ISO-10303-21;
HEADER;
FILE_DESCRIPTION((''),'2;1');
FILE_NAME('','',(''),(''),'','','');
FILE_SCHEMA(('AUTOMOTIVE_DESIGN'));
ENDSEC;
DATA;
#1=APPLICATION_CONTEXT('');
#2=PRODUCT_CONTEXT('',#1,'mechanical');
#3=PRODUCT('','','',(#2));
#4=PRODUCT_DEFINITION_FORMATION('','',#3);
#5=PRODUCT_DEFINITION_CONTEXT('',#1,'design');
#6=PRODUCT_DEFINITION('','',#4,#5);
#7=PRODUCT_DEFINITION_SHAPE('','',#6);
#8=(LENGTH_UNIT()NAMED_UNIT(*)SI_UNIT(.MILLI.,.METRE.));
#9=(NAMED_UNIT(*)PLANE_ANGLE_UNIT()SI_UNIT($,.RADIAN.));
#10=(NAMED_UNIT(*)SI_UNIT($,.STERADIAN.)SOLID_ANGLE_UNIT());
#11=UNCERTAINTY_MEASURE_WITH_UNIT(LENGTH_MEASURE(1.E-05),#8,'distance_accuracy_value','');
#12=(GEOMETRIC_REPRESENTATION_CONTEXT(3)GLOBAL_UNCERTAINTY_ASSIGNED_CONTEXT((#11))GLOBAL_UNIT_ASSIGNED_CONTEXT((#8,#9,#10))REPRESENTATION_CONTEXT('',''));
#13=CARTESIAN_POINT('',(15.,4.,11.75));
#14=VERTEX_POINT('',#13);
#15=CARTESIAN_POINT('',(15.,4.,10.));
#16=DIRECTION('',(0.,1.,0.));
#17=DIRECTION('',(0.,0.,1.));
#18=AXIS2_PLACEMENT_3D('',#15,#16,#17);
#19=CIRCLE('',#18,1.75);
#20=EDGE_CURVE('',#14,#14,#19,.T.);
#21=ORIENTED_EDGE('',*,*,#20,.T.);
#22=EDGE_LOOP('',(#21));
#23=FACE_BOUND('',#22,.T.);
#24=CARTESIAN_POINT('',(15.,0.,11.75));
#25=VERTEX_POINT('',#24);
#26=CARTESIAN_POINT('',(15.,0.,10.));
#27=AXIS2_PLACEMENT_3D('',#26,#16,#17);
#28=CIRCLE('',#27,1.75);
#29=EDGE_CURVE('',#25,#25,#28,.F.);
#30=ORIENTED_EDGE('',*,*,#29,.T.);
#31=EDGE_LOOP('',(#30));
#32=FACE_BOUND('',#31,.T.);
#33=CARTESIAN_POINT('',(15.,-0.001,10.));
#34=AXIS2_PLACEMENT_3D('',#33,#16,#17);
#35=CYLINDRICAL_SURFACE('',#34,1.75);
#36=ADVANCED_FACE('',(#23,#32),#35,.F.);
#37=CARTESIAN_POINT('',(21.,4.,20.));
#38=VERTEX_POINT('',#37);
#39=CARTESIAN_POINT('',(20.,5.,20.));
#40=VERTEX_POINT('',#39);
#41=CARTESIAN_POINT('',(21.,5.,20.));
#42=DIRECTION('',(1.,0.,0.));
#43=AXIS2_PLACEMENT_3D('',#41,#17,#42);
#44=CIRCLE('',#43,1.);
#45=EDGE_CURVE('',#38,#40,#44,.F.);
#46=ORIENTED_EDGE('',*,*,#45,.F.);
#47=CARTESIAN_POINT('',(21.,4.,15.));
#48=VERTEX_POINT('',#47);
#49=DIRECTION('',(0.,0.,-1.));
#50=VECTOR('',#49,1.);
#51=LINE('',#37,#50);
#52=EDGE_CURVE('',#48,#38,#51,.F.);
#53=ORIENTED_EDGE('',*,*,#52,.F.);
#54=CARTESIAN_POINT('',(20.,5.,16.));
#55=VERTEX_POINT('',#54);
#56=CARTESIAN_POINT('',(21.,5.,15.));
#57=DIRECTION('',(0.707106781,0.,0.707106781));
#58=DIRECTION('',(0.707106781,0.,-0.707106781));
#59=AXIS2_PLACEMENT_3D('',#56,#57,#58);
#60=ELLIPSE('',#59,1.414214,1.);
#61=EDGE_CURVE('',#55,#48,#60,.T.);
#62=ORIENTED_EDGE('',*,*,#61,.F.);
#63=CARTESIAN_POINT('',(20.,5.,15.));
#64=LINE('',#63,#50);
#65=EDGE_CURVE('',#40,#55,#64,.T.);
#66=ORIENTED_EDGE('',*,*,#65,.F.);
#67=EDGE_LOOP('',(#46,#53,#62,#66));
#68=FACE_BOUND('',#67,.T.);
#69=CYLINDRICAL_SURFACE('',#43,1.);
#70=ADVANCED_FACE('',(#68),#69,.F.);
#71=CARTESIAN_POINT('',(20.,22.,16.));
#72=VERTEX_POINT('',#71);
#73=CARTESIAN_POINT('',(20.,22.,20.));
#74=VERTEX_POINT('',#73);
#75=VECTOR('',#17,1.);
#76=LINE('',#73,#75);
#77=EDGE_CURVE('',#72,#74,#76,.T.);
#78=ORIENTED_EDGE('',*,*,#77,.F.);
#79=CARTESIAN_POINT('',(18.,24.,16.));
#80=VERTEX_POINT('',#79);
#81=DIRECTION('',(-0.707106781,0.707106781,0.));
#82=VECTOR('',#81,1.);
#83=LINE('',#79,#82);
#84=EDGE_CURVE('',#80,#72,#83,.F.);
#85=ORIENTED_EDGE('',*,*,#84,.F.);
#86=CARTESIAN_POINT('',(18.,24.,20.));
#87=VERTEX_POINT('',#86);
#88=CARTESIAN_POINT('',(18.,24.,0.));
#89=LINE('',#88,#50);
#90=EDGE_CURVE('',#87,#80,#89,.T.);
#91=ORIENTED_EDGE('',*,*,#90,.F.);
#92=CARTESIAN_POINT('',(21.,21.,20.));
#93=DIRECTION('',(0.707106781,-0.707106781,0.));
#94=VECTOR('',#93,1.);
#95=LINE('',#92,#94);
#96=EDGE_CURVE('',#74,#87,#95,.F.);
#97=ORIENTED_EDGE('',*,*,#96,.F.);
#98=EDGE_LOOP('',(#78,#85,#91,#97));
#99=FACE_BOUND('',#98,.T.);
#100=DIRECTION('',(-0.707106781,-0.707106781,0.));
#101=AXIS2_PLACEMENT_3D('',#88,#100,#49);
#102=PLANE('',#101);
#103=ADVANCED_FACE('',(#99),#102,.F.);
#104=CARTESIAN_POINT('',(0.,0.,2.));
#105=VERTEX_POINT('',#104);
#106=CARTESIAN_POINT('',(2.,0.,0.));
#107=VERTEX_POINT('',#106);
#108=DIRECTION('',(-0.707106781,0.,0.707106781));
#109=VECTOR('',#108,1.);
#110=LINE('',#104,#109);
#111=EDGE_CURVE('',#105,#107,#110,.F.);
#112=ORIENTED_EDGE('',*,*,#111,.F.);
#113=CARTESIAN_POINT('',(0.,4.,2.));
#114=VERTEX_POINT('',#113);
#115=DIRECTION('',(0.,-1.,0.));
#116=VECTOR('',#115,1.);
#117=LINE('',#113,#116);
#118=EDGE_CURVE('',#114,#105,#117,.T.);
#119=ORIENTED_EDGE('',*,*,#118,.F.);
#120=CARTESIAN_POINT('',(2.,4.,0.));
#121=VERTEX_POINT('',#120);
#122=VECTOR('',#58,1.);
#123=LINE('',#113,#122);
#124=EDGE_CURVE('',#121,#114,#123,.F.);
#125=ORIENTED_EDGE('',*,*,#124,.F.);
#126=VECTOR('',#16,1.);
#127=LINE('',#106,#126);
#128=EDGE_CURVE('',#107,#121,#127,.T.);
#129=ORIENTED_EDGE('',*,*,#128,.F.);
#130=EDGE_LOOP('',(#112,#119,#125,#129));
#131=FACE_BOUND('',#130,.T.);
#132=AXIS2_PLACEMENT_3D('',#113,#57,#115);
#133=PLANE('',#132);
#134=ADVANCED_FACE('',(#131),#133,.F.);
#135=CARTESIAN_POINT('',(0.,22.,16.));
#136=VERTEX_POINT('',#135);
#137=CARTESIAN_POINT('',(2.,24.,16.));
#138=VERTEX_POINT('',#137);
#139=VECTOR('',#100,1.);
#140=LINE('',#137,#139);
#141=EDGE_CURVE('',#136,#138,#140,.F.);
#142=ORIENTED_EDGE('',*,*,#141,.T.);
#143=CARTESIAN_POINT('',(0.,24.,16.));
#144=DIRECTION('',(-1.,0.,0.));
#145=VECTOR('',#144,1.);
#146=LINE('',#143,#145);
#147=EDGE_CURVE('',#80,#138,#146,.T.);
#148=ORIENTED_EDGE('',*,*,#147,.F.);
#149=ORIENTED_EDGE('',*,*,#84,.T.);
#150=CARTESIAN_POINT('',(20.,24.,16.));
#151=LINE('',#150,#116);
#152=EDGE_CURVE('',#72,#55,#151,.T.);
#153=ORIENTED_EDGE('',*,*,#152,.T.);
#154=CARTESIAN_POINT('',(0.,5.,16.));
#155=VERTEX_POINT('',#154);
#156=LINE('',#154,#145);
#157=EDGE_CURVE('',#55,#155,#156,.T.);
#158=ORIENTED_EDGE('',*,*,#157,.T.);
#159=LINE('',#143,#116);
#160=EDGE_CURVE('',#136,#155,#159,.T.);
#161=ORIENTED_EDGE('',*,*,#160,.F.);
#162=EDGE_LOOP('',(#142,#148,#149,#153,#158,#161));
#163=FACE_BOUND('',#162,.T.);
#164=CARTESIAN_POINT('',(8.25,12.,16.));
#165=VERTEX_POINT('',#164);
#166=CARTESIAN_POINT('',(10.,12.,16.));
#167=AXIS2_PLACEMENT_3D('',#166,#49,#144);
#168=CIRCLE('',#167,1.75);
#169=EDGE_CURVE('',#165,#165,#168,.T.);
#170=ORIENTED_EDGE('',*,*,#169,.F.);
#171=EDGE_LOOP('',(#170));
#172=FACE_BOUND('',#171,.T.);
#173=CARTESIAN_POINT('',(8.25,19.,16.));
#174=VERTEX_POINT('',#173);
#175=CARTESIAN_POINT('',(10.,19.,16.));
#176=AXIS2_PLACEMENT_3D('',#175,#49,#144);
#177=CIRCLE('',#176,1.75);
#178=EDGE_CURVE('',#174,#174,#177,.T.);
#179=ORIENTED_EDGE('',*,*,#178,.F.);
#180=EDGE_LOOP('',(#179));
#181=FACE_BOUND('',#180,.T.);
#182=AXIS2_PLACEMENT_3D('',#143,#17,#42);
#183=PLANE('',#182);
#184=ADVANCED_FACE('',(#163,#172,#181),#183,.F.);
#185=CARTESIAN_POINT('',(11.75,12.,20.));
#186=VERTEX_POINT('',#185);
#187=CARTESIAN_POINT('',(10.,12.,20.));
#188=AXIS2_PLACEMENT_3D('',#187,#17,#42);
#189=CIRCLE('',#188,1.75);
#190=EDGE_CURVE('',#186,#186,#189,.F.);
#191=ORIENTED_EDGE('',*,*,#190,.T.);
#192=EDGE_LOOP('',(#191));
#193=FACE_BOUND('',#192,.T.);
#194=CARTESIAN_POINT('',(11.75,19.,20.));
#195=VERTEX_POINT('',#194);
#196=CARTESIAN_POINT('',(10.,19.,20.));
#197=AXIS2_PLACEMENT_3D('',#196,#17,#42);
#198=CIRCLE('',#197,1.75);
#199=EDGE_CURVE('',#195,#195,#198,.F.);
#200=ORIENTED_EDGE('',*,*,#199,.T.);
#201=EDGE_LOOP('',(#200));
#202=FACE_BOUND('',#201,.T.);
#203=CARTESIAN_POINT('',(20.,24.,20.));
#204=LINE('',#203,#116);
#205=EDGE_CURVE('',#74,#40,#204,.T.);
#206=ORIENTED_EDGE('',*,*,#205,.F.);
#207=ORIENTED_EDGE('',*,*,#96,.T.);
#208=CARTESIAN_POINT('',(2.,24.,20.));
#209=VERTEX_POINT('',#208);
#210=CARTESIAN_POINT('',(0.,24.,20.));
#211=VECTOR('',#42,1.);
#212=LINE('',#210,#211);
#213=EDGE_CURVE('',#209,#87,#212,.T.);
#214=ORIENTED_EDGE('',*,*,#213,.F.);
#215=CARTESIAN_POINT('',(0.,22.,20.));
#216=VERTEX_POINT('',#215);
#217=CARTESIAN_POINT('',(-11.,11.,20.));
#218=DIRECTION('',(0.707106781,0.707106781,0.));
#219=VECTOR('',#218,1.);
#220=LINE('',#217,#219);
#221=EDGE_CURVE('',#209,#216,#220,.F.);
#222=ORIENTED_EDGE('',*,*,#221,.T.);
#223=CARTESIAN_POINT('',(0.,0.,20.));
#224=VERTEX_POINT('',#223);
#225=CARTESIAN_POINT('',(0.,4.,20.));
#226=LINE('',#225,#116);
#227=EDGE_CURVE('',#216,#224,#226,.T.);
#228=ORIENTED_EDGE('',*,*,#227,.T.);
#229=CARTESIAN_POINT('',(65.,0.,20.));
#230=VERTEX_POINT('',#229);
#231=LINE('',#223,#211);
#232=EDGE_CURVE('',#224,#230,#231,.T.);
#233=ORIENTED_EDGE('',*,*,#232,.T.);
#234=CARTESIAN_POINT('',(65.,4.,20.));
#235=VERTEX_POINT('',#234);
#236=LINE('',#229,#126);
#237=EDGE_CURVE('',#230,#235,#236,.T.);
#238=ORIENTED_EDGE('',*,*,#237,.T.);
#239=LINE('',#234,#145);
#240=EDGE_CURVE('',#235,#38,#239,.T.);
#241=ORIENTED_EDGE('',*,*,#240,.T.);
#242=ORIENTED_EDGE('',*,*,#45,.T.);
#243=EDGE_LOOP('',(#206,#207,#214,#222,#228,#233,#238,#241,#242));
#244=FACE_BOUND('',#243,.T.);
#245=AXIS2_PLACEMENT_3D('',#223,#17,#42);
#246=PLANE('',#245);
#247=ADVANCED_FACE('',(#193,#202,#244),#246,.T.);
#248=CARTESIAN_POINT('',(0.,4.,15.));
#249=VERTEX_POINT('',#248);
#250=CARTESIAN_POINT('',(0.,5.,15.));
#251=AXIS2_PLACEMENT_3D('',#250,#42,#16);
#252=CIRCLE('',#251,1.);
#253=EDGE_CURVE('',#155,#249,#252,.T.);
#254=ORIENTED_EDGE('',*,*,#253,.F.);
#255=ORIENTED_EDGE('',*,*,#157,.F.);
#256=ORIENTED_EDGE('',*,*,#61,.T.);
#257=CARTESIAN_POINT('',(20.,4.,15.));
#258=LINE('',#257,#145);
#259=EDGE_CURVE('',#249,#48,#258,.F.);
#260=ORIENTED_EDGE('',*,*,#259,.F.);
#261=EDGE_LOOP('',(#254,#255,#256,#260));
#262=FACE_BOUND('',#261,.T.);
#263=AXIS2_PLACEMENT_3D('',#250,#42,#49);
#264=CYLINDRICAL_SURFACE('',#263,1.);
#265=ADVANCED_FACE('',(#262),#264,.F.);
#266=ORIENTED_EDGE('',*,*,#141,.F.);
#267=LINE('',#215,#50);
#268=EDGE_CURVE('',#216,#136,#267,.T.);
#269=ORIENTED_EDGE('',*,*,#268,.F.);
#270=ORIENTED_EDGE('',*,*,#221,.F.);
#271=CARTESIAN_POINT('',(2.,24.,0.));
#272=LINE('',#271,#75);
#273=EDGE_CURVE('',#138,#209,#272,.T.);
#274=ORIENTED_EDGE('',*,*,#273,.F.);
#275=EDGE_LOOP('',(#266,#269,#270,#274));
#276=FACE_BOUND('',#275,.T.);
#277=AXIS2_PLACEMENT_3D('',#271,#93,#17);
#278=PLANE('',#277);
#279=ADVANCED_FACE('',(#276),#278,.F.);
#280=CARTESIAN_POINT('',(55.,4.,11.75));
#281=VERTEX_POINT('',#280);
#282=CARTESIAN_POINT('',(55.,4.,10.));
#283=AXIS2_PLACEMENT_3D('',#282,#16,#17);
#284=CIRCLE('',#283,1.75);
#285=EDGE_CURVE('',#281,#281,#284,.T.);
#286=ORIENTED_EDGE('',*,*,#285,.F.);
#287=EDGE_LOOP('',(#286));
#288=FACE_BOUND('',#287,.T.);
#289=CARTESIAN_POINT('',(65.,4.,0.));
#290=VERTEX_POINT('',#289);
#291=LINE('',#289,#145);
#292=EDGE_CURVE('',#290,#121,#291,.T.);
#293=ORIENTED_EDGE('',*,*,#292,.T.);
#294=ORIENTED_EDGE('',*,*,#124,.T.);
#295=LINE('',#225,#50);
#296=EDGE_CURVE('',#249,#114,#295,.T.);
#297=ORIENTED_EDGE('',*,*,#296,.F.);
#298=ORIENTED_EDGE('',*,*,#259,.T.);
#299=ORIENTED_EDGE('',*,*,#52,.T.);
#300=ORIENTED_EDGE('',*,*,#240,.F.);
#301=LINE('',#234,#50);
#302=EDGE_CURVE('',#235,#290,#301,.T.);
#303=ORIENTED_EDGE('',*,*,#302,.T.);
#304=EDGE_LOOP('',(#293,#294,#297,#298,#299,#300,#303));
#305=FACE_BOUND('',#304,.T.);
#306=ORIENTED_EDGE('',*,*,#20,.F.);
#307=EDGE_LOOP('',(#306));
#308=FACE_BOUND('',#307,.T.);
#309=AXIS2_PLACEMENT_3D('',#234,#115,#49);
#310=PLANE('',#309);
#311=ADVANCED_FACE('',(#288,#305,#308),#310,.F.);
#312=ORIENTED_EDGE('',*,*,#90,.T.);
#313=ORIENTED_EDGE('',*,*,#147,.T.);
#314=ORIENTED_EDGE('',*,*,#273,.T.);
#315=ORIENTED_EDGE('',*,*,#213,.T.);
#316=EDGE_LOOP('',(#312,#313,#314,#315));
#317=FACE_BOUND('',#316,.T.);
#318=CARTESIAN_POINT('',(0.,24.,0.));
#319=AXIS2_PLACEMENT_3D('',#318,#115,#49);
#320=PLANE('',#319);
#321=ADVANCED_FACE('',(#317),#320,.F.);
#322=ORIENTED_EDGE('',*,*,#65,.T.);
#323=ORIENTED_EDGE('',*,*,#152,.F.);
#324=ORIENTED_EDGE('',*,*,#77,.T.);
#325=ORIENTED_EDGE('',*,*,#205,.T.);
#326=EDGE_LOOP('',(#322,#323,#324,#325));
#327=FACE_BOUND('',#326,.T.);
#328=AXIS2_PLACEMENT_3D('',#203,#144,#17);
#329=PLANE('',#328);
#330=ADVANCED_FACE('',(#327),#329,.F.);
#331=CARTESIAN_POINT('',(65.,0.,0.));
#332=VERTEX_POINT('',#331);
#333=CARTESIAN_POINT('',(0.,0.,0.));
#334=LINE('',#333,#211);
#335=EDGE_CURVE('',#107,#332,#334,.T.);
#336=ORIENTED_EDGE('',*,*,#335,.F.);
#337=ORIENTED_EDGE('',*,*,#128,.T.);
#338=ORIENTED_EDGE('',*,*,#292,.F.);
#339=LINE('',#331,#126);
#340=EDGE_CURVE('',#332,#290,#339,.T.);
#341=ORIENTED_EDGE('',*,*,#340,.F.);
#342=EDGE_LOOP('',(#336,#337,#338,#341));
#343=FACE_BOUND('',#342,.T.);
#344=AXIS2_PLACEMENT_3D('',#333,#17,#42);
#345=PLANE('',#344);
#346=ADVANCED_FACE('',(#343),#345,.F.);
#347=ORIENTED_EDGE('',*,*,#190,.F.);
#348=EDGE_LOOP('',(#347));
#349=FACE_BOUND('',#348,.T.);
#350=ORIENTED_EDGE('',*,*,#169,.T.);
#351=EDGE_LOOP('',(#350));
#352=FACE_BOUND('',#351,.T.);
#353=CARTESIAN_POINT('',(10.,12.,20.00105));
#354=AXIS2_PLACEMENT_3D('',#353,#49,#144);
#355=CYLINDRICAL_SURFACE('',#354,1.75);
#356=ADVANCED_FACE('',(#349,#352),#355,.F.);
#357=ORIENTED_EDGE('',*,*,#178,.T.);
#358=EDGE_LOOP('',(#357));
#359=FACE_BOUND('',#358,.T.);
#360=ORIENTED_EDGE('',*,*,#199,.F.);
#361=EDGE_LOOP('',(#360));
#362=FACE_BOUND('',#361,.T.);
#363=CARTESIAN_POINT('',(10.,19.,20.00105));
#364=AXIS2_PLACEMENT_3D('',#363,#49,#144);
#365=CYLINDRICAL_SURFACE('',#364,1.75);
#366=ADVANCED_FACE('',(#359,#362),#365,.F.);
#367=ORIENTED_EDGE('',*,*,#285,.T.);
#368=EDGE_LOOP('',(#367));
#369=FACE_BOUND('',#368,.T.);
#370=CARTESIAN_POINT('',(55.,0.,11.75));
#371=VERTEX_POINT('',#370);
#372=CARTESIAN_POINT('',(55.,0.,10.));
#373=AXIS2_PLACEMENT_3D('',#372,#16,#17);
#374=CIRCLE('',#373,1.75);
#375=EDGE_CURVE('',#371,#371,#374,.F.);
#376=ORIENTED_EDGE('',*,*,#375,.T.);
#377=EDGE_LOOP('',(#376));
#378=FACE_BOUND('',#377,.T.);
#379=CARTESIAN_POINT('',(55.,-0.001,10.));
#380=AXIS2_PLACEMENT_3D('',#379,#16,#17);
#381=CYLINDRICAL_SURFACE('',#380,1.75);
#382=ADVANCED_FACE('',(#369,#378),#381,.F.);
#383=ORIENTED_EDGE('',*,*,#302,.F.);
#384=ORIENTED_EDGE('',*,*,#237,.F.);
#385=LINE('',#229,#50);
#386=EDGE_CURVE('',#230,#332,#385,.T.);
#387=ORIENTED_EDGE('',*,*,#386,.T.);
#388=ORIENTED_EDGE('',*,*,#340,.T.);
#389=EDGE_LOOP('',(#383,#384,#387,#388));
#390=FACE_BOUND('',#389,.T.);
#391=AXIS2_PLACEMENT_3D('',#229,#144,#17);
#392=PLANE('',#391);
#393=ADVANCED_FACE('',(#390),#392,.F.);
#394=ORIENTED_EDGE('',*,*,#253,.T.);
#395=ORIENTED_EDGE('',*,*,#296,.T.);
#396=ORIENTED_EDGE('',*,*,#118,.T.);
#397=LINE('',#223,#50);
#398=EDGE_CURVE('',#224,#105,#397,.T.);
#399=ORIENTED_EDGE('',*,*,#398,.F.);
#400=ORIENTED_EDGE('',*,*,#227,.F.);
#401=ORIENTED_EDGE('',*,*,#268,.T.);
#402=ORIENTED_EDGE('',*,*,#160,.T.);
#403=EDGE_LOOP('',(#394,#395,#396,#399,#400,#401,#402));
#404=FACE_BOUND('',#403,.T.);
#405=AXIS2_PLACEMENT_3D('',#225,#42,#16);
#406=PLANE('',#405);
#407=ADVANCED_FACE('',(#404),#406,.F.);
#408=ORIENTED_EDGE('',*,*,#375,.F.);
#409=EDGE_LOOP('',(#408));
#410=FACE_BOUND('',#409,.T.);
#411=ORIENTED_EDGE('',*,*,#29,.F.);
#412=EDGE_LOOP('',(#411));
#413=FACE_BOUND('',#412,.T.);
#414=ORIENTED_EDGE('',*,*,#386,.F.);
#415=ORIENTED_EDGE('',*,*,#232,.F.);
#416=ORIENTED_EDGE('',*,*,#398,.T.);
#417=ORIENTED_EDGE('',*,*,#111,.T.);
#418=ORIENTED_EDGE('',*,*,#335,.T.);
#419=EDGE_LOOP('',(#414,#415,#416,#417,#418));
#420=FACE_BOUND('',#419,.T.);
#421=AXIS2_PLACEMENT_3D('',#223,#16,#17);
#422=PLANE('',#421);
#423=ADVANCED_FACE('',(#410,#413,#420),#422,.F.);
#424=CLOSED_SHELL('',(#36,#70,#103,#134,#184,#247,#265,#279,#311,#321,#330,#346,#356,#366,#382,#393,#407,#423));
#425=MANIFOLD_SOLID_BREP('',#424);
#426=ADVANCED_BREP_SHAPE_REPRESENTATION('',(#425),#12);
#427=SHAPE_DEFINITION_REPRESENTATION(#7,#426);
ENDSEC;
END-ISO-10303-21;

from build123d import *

# Parameters (mm, degrees)
SCHIZZO1_W                   = 65
SCHIZZO1_H                   = 4
ESTRUSIONE_ESTRUSIONE1_DEPTH = 20
SCHIZZO2_W                   = 20
SCHIZZO2_H                   = 4
ESTRUSIONE_ESTRUSIONE2_DEPTH = 20
TAGLIO_ESTRUSIONE1_REACH     = 6
SCHIZZO6_R                   = 1.75
TAGLIO_ESTRUSIONE2_REACH     = 6
SCHIZZO7_R                   = 1.75
RACCORDO1_R                  = 1
RACCORDO2_R                  = 1
SMUSSO1_SIZE                 = 2
SMUSSO3_SIZE                 = 2


with BuildPart() as part:
    # Schizzo1 → Estrusione-Estrusione1 (new body)
    with BuildSketch(Plane.XY):
        with Locations((32.5, 2)):
            Rectangle(SCHIZZO1_W, SCHIZZO1_H)
    extrude(amount=ESTRUSIONE_ESTRUSIONE1_DEPTH)

    # Schizzo2 → Estrusione-Estrusione2 (add)
    with BuildSketch(Plane(origin=(0, 4, 0), x_dir=(1, 0, 0), z_dir=(0, 1, 0))):
        with Locations((10, -18)):
            Rectangle(SCHIZZO2_W, SCHIZZO2_H)
    extrude(amount=ESTRUSIONE_ESTRUSIONE2_DEPTH)

    # Schizzo6 → Taglio-Estrusione1 (cut, up to next)
    with BuildSketch(Plane(origin=(0, 4, 0), x_dir=(1, 0, 0), z_dir=(0, 1, 0)), mode=Mode.PRIVATE) as taglio_estrusione1_sk1:
        with Locations((15, -10)):
            Circle(SCHIZZO6_R)
    taglio_estrusione1_tool1 = extrude(taglio_estrusione1_sk1.sketch, amount=-TAGLIO_ESTRUSIONE1_REACH, mode=Mode.PRIVATE) & part.part
    add(taglio_estrusione1_tool1.solids().sort_by_distance((15, 4, 10))[0], mode=Mode.SUBTRACT)
    # Schizzo6 → Taglio-Estrusione1 (cut, up to next)
    with BuildSketch(Plane(origin=(0, 4, 0), x_dir=(1, 0, 0), z_dir=(0, 1, 0)), mode=Mode.PRIVATE) as taglio_estrusione1_sk2:
        with Locations((55, -10)):
            Circle(SCHIZZO6_R)
    taglio_estrusione1_tool2 = extrude(taglio_estrusione1_sk2.sketch, amount=-TAGLIO_ESTRUSIONE1_REACH, mode=Mode.PRIVATE) & part.part
    add(taglio_estrusione1_tool2.solids().sort_by_distance((55, 4, 10))[0], mode=Mode.SUBTRACT)

    # Schizzo7 → Taglio-Estrusione2 (cut, up to next)
    with BuildSketch(Plane(origin=(0, 0, 16), x_dir=(-1, 0, 0), z_dir=(0, 0, -1)), mode=Mode.PRIVATE) as taglio_estrusione2_sk1:
        with Locations((-10, 19)):
            Circle(SCHIZZO7_R)
    taglio_estrusione2_tool1 = extrude(taglio_estrusione2_sk1.sketch, amount=-TAGLIO_ESTRUSIONE2_REACH, mode=Mode.PRIVATE) & part.part
    add(taglio_estrusione2_tool1.solids().sort_by_distance((10, 19, 16))[0], mode=Mode.SUBTRACT)
    # Schizzo7 → Taglio-Estrusione2 (cut, up to next)
    with BuildSketch(Plane(origin=(0, 0, 16), x_dir=(-1, 0, 0), z_dir=(0, 0, -1)), mode=Mode.PRIVATE) as taglio_estrusione2_sk2:
        with Locations((-10, 12)):
            Circle(SCHIZZO7_R)
    taglio_estrusione2_tool2 = extrude(taglio_estrusione2_sk2.sketch, amount=-TAGLIO_ESTRUSIONE2_REACH, mode=Mode.PRIVATE) & part.part
    add(taglio_estrusione2_tool2.solids().sort_by_distance((10, 12, 16))[0], mode=Mode.SUBTRACT)

    # Raccordo1
    raccordo1_edges = [part.edges().sort_by_distance(p)[0] for p in [
        (10, 4, 16),
    ]]
    fillet(raccordo1_edges, radius=RACCORDO1_R)

    # Raccordo2
    raccordo2_edges = [part.edges().sort_by_distance(p)[0] for p in [
        (20, 4, 18),
    ]]
    fillet(raccordo2_edges, radius=RACCORDO2_R)

    # Smusso1
    smusso1_edges = [part.edges().sort_by_distance(p)[0] for p in [
        (0, 24, 18),
        (20, 24, 18),
    ]]
    chamfer(smusso1_edges, length=SMUSSO1_SIZE)

    # Smusso3
    smusso3_edges = [part.edges().sort_by_distance(p)[0] for p in [
        (0, 2, 0),
    ]]
    chamfer(smusso3_edges, length=SMUSSO3_SIZE)


solid = part.part
